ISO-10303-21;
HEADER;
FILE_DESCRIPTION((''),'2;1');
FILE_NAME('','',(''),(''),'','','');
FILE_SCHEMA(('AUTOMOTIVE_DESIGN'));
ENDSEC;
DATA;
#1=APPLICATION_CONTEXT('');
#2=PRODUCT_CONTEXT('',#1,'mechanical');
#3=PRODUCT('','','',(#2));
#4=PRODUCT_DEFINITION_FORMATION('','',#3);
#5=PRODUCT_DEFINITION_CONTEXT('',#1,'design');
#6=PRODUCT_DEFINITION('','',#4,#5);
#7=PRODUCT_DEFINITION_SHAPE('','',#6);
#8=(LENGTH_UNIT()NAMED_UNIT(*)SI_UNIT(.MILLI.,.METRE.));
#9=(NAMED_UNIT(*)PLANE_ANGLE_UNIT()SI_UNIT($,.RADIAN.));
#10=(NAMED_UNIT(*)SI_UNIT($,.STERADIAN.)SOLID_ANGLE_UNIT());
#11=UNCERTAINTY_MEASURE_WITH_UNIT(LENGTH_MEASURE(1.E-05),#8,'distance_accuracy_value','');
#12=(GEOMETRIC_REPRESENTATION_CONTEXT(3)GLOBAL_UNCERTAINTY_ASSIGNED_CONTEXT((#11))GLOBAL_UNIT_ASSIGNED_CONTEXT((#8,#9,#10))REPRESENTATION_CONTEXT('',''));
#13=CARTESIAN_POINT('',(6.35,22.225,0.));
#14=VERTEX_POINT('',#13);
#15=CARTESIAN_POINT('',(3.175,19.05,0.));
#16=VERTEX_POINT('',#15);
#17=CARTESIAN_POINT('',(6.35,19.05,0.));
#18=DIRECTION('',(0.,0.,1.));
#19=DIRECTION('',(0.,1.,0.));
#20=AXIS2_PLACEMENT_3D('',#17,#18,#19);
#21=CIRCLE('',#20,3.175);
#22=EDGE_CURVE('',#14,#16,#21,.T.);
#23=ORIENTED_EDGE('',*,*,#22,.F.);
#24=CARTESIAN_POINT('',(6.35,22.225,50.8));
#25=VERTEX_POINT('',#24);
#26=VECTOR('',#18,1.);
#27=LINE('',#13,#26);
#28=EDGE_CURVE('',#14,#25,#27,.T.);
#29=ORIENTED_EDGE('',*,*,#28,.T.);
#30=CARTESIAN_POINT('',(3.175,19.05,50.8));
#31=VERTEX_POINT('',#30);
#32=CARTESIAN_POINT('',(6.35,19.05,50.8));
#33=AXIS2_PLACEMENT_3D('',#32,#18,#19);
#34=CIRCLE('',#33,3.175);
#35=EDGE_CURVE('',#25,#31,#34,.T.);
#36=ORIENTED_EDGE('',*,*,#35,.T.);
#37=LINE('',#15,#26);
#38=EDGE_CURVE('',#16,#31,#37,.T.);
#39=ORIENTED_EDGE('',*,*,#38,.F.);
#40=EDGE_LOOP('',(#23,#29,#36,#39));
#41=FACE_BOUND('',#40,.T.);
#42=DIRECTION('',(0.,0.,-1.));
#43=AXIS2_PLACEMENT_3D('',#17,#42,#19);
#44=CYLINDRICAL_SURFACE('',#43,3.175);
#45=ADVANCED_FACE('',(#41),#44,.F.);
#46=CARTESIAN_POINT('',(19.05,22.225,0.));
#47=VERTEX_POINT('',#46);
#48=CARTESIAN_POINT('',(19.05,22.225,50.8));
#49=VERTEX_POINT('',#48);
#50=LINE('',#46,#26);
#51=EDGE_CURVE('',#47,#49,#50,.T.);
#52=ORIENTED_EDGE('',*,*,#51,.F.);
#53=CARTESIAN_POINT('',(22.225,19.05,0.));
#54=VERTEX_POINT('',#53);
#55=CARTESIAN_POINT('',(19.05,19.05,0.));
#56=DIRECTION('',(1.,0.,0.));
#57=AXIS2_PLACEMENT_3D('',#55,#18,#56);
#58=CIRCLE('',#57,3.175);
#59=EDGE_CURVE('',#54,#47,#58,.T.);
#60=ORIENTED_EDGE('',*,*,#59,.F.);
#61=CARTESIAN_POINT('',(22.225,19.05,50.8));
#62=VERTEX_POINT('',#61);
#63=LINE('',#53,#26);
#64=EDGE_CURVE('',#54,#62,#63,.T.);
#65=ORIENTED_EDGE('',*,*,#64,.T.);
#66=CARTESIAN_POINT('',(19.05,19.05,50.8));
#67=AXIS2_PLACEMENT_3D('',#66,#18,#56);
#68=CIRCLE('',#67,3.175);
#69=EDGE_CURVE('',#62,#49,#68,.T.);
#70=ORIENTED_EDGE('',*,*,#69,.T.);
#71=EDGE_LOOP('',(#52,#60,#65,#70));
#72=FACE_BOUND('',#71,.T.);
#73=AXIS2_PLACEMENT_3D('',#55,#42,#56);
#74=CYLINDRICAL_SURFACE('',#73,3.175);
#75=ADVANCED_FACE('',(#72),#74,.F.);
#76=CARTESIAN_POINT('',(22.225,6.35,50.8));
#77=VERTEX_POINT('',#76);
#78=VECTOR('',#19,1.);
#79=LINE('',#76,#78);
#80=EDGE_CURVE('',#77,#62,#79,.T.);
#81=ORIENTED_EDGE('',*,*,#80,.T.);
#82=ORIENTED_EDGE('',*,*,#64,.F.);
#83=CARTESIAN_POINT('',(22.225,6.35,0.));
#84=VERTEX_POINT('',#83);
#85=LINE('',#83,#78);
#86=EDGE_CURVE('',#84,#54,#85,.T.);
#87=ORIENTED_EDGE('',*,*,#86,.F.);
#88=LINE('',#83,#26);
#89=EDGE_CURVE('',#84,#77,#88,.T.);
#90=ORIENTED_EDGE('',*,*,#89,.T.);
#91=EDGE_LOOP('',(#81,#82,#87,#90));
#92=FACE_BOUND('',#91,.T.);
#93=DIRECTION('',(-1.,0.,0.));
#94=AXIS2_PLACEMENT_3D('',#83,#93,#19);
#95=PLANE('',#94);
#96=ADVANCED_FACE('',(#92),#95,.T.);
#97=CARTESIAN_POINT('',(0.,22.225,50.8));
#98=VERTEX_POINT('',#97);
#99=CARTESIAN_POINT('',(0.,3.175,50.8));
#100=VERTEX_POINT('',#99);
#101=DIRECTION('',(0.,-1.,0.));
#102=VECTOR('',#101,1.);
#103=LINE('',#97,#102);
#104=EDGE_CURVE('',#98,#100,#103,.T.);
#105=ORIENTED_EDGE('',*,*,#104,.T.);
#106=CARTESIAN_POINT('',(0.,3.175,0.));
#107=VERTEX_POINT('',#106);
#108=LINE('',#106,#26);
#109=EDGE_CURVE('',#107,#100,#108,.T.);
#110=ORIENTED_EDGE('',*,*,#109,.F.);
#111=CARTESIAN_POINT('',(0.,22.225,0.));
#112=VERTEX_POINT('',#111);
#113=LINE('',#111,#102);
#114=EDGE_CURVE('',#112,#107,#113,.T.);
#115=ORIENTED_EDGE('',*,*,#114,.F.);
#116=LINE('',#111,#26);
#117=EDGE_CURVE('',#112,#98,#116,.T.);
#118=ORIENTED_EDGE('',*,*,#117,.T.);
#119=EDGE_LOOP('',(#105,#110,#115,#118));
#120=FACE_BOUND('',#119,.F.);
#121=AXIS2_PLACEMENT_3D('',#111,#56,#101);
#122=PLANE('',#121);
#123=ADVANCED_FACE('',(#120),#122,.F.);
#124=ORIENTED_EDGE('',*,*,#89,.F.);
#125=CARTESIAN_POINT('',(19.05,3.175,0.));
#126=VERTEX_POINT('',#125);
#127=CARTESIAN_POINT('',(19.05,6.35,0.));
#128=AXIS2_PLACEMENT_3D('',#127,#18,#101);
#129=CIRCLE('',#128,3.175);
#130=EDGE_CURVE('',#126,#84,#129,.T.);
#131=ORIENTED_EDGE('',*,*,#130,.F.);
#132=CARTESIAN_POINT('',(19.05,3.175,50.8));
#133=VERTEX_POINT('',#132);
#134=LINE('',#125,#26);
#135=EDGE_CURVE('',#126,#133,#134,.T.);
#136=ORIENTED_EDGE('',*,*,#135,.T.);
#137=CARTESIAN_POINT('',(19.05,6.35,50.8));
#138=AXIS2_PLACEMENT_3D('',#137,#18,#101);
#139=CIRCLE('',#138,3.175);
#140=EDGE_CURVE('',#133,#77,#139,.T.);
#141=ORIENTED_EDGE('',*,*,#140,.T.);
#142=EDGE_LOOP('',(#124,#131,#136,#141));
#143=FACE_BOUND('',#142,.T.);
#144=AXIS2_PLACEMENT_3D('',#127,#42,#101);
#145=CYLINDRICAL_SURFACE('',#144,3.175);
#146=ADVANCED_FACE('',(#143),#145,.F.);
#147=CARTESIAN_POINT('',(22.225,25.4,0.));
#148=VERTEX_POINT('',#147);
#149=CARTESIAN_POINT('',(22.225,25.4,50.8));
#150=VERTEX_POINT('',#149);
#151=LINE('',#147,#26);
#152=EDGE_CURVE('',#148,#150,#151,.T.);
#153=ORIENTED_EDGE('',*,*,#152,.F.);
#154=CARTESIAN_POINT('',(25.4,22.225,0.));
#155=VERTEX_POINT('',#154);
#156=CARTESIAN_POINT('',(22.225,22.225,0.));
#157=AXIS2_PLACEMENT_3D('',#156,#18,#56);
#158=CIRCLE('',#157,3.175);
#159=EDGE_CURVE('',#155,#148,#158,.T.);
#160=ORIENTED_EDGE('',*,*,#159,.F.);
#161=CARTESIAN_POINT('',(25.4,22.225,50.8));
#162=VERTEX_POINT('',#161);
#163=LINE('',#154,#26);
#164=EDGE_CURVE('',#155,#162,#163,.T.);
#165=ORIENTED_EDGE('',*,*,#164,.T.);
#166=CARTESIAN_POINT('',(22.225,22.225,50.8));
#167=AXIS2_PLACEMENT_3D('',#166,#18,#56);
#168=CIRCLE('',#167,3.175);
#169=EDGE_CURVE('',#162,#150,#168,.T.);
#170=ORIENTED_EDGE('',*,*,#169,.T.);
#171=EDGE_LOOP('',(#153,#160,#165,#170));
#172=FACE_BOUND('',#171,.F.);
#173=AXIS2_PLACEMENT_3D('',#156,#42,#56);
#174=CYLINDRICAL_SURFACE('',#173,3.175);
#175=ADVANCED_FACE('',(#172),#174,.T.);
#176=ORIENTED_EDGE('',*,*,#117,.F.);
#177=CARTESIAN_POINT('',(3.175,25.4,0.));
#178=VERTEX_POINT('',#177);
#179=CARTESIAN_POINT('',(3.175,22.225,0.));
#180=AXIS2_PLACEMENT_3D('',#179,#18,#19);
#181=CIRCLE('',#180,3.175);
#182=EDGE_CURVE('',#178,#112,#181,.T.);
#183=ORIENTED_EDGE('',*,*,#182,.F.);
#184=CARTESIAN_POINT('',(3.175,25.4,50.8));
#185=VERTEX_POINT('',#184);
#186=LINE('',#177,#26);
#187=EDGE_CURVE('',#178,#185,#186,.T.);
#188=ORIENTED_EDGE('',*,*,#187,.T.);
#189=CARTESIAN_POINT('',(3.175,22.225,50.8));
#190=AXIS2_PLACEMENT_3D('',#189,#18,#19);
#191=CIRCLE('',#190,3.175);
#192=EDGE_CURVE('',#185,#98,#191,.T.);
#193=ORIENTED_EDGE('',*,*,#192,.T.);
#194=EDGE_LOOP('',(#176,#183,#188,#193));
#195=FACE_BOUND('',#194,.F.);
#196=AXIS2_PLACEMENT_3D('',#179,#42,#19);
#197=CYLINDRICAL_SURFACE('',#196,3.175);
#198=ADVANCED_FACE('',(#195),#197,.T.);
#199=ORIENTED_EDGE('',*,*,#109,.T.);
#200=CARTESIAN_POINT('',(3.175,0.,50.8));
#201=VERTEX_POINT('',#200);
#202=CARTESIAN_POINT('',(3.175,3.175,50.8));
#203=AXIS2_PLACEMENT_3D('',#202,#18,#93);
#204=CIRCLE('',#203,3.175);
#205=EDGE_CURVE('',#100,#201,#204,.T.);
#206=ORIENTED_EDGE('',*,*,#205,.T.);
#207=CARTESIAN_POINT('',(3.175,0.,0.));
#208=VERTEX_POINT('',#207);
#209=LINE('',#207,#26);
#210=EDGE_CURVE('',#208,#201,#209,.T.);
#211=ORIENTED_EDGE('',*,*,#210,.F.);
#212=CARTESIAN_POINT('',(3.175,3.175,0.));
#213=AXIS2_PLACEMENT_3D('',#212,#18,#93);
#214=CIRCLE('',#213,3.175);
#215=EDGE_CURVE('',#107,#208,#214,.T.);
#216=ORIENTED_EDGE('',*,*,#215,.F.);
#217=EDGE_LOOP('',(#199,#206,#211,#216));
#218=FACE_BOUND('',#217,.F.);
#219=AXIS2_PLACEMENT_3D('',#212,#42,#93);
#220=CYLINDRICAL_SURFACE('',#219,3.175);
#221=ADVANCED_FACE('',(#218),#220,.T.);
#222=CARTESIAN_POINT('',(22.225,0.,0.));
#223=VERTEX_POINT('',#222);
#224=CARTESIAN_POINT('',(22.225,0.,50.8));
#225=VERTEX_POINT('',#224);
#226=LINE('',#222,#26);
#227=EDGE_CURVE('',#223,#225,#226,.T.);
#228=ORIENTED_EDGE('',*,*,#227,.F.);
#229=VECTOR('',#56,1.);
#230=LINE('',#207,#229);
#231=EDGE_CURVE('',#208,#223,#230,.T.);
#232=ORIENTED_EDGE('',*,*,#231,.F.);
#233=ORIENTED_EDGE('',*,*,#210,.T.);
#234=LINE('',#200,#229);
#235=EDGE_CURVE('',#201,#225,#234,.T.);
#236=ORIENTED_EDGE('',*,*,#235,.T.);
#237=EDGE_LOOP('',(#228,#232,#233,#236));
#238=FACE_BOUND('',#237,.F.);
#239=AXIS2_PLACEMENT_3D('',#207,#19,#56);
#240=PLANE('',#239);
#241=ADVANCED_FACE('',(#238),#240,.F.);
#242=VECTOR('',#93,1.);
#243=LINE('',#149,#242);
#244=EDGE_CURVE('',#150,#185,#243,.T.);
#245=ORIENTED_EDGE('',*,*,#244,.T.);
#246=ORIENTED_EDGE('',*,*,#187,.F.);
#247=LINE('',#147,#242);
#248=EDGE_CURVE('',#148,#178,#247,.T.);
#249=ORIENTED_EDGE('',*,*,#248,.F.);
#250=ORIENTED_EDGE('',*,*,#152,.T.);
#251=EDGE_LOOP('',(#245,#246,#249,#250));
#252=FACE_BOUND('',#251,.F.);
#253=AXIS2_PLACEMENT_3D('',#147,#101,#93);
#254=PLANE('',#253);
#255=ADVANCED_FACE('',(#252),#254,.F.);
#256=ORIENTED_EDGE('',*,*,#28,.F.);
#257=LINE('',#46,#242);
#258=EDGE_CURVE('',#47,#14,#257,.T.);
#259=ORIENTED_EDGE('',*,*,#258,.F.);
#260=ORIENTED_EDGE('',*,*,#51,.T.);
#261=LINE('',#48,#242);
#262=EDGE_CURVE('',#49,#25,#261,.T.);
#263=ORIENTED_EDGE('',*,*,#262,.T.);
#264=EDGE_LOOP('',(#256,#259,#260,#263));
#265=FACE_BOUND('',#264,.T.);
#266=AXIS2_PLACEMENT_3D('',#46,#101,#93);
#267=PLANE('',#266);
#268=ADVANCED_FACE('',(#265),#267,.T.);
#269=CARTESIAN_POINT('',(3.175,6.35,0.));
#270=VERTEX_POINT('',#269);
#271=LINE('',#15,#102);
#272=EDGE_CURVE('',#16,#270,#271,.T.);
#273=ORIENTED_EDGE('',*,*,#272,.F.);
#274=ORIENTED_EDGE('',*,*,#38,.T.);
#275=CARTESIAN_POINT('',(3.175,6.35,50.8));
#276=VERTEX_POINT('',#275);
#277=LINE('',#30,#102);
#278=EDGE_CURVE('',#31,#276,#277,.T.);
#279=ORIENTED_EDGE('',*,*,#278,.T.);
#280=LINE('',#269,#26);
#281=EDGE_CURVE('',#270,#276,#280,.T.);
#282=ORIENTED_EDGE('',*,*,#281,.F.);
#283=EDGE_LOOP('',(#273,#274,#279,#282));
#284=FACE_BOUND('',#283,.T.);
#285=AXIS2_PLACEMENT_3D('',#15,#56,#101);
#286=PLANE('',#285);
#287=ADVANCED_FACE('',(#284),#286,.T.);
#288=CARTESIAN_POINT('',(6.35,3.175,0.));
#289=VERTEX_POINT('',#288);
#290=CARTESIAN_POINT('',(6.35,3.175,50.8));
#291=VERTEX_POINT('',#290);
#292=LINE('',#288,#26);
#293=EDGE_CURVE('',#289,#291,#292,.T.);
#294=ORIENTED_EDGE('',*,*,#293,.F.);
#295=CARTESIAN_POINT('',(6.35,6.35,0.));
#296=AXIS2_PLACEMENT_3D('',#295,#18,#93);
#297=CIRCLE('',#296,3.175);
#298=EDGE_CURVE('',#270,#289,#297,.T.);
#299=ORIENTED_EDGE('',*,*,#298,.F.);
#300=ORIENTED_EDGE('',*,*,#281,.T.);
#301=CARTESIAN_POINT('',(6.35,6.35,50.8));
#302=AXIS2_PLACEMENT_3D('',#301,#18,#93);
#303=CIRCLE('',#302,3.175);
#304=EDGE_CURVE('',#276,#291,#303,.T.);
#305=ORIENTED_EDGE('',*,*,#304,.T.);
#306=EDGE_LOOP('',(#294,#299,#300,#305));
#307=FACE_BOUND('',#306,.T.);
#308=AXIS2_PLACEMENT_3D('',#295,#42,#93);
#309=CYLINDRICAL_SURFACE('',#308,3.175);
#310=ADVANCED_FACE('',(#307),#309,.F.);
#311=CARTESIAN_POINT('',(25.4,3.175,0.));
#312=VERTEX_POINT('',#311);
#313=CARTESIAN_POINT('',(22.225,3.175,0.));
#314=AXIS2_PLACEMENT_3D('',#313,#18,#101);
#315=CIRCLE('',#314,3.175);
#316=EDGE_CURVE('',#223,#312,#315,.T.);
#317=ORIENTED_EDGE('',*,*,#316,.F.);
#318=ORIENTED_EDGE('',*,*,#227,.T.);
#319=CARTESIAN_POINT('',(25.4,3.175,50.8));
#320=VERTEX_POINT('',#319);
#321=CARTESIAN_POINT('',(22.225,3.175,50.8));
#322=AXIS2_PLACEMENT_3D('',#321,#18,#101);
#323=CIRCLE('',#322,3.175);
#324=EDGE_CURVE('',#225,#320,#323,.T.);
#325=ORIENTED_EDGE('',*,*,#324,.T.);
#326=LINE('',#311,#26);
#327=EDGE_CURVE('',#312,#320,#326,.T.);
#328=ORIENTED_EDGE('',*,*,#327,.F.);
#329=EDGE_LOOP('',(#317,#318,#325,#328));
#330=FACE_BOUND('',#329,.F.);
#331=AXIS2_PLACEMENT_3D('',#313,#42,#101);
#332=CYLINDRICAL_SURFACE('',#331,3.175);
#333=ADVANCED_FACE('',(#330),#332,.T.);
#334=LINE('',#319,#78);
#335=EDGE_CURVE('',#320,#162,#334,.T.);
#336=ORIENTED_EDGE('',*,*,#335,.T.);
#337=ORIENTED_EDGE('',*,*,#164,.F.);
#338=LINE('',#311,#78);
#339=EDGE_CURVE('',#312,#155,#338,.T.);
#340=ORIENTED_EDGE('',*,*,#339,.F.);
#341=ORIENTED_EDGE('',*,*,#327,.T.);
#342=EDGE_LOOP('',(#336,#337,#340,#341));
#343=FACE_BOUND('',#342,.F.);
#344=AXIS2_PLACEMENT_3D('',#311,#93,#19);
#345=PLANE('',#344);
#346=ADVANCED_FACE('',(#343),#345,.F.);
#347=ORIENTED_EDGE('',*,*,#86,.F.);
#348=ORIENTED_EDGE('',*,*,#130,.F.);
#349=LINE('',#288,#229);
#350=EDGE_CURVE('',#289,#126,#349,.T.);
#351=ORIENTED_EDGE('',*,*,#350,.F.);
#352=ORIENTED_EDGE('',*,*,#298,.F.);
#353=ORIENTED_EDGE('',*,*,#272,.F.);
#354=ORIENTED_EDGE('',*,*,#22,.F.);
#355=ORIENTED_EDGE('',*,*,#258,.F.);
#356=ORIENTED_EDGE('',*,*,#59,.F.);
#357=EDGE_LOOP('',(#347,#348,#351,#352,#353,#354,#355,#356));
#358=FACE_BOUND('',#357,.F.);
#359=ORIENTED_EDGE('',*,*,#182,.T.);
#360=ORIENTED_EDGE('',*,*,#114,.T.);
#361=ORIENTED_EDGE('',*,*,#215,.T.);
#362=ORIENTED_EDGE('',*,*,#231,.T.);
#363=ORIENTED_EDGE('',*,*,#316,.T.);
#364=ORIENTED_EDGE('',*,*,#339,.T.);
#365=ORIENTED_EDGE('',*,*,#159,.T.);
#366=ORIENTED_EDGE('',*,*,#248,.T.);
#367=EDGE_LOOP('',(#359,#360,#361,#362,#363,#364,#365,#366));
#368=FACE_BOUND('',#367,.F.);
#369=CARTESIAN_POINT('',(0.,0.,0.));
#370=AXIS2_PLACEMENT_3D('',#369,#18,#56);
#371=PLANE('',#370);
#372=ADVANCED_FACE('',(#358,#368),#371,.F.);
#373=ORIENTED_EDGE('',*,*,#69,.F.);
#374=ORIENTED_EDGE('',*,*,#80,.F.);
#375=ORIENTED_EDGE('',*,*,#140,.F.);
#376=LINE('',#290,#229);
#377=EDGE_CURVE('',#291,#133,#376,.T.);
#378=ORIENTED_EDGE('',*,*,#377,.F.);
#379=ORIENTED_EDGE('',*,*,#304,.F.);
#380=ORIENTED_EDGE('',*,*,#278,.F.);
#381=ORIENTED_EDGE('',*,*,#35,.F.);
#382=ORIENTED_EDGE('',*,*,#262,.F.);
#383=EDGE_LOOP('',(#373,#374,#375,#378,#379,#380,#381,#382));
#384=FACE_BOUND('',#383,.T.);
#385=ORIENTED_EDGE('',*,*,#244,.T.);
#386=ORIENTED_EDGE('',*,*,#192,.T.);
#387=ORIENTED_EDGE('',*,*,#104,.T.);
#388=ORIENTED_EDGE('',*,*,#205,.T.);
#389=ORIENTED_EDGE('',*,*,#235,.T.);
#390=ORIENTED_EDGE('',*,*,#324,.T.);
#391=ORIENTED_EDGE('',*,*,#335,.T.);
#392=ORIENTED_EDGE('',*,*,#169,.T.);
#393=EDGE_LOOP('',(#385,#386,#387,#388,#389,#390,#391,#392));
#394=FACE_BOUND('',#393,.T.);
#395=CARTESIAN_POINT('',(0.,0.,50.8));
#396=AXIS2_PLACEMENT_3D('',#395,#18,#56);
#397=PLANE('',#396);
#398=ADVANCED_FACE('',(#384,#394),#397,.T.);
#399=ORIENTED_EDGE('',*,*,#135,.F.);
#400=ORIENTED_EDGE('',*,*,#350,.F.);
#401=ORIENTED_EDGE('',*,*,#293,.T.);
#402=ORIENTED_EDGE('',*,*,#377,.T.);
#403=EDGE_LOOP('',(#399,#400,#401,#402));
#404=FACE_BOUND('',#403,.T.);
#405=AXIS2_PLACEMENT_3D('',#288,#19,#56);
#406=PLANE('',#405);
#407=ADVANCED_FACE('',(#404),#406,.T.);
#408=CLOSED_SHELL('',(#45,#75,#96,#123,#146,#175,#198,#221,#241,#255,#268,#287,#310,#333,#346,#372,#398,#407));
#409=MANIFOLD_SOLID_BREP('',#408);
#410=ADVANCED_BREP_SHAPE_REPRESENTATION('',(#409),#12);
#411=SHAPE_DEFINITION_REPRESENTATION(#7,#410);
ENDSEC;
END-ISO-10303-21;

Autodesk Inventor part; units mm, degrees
ref_plane "YZ Plane" through (0, 0, 0) normal (1, 0, 0) x (0, 1, 0)
ref_plane "XZ Plane" through (0, 0, 0) normal (0, 1, 0) x (-1, 0, 0)
ref_plane "XY Plane" through (0, 0, 0) normal (0, 0, 1) x (1, 0, 0)
sketch "Sketch1" plane through (0, 0, 0) normal (0, 0, 1) x (1, 0, 0)
  line L0 (3.175, 0) -> (22.225, 0)
  line L1 (25.4, 3.175) -> (25.4, 22.225)
  line L2 (22.225, 25.4) -> (3.175, 25.4)
  line L3 (0, 22.225) -> (0, 3.175)
  arc A0 (3.175, 25.4) -> (0, 22.225) centre (3.175, 22.225) ccw
  arc A1 (25.4, 22.225) -> (22.225, 25.4) centre (22.225, 22.225) ccw
  arc A2 (22.225, 0) -> (25.4, 3.175) centre (22.225, 3.175) ccw
  arc A3 (0, 3.175) -> (3.175, 0) centre (3.175, 3.175) ccw
  line L4 (6.35, 3.175) -> (19.05, 3.175)
  line L5 (22.225, 6.35) -> (22.225, 19.05)
  line L6 (19.05, 22.225) -> (6.35, 22.225)
  line L7 (3.175, 19.05) -> (3.175, 6.35)
  arc A4 (6.35, 22.225) -> (3.175, 19.05) centre (6.35, 19.05) ccw
  arc A5 (19.05, 3.175) -> (22.225, 6.35) centre (19.05, 6.35) ccw
  arc A6 (22.225, 19.05) -> (19.05, 22.225) centre (19.05, 19.05) ccw
  arc A7 (3.175, 6.35) -> (6.35, 3.175) centre (6.35, 6.35) ccw
  point P0 (0, 0)
  point P1 (25.4, 25.4)
  point P2 (25.4, 0)
  point P3 (0, 25.4)
  dimension "d0" = 25.4
  dimension "d1" = 25.4
  dimension "d2" = 3.175
  dimension "d3" = 3.175
extrude "Extrusion1" add sketch "Sketch1" along normal blind 50.8
properties part number "LegBracing"
